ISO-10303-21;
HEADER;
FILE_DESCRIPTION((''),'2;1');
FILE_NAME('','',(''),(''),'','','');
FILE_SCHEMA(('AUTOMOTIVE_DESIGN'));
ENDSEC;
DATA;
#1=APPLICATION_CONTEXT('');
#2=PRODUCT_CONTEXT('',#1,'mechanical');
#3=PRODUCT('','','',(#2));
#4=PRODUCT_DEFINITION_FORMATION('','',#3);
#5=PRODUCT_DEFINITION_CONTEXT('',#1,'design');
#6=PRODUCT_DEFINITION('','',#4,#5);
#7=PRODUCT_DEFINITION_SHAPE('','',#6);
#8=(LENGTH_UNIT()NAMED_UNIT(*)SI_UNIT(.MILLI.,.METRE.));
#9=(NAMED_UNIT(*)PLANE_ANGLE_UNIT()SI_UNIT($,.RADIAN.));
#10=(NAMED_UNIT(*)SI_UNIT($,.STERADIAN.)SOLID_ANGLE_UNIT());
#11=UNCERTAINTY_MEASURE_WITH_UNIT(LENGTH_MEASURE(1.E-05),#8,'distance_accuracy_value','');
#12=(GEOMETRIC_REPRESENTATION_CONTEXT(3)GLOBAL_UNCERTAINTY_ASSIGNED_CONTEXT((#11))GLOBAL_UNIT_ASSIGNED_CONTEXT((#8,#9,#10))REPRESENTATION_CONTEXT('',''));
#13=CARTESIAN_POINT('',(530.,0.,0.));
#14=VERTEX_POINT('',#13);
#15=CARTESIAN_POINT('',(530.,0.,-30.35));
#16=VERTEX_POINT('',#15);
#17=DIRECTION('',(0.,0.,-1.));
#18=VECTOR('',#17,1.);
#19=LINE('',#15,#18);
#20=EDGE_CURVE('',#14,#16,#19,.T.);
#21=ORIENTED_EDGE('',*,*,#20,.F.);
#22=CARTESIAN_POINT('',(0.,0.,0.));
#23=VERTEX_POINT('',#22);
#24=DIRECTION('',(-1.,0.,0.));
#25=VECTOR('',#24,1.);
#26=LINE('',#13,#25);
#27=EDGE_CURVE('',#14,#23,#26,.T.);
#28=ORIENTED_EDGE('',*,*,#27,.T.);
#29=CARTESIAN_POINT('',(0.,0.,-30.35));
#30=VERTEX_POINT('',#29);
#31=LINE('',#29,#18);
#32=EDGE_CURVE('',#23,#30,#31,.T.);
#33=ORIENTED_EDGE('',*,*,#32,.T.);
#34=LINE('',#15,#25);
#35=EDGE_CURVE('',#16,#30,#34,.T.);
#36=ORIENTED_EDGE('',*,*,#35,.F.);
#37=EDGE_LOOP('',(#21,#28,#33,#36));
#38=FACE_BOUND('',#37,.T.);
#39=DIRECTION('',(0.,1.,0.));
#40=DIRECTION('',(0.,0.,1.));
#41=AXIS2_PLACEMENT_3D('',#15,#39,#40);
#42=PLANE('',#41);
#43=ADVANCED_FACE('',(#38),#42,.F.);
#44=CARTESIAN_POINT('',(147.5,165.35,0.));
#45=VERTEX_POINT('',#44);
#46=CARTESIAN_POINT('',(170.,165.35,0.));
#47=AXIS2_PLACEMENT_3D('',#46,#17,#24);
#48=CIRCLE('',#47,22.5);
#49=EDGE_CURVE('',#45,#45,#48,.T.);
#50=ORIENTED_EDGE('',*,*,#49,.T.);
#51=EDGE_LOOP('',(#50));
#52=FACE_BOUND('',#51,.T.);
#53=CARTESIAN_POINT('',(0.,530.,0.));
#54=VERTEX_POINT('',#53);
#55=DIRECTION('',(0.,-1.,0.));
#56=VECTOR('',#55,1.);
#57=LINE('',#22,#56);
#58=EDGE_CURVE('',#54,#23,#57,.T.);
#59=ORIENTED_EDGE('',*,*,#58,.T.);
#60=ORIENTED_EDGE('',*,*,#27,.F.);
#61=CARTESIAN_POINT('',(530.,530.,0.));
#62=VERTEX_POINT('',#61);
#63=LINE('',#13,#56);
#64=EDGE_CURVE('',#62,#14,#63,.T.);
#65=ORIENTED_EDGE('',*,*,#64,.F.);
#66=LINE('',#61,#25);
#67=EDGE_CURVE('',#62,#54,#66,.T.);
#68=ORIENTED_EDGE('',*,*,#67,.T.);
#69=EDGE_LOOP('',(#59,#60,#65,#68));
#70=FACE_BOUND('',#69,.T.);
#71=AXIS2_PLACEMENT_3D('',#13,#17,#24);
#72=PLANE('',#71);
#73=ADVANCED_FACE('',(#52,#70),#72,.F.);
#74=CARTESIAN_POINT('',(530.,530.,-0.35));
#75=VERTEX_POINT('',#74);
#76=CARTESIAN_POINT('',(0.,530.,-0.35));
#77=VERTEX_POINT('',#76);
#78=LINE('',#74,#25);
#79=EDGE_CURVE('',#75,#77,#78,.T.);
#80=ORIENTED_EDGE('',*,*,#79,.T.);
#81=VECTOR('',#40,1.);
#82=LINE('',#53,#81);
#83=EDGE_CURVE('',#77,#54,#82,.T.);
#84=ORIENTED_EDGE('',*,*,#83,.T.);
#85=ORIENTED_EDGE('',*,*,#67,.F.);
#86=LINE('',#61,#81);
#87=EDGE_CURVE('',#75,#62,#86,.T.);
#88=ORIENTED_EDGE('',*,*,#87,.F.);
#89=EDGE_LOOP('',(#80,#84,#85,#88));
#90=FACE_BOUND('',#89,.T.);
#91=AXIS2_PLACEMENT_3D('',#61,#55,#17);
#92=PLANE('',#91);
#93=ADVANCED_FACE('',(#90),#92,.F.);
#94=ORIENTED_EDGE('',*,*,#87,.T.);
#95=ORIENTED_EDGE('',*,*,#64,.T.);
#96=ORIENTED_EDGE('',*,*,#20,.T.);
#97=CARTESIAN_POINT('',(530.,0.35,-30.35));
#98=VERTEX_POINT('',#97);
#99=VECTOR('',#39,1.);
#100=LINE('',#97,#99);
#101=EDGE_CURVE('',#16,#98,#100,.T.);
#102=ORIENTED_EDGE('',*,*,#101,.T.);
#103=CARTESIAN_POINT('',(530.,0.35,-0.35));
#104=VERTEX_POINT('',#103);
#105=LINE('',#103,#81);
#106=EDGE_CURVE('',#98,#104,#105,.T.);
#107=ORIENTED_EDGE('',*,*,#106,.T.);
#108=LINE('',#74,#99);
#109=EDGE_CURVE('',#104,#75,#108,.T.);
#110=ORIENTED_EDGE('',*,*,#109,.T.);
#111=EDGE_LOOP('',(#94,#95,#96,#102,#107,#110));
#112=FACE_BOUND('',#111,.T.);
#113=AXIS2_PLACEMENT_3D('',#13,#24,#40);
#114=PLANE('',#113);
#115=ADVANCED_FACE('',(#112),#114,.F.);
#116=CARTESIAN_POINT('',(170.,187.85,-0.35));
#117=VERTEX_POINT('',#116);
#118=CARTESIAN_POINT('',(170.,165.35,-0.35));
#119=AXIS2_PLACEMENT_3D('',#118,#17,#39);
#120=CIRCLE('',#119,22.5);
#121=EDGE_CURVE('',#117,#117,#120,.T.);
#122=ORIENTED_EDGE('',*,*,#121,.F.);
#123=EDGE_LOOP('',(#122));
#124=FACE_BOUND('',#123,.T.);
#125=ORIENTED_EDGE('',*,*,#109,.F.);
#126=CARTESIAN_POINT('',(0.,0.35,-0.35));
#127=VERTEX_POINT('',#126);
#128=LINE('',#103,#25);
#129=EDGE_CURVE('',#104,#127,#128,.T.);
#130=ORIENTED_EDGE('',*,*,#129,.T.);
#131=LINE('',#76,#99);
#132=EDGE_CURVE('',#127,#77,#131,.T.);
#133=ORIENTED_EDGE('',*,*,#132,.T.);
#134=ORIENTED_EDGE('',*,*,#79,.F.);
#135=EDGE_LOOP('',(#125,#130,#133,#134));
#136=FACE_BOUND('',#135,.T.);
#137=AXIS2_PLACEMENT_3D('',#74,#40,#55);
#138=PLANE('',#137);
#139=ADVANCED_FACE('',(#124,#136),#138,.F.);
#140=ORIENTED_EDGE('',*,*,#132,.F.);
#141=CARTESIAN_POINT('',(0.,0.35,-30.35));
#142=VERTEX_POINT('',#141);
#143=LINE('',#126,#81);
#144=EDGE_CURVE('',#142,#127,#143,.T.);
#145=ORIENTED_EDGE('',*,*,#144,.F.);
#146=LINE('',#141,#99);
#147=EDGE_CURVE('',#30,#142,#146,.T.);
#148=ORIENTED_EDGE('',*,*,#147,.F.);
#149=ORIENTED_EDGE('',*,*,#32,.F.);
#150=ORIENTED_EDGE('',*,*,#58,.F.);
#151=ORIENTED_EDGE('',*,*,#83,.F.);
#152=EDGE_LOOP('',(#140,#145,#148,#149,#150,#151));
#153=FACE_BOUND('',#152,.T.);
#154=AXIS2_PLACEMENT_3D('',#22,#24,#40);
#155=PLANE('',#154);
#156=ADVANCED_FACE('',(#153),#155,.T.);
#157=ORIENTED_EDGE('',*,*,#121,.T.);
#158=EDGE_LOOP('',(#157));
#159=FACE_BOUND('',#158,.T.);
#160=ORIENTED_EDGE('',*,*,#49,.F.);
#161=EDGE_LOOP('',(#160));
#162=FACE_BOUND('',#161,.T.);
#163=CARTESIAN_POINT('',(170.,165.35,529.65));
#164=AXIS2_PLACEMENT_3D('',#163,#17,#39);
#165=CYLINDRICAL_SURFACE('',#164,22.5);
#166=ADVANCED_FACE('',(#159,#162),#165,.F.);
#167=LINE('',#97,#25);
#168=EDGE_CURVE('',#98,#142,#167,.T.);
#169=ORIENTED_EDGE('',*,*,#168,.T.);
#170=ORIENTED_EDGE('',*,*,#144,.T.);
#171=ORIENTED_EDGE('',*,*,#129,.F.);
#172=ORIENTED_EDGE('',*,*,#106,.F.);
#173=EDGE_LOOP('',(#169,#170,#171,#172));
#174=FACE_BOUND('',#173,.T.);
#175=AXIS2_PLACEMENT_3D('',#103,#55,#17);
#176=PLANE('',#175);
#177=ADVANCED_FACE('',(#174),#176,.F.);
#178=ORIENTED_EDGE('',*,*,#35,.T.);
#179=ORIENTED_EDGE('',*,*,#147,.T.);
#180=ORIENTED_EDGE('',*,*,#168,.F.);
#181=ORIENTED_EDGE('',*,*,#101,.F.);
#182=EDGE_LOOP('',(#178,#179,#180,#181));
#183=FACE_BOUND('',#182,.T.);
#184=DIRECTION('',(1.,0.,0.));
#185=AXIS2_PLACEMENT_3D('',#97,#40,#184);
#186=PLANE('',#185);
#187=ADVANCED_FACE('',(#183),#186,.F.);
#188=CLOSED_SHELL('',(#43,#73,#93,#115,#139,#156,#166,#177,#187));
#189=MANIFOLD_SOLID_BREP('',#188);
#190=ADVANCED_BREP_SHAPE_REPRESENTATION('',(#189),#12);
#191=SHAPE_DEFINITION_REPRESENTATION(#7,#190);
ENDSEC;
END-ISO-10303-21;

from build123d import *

# Parameters (mm, degrees)
BOSS_EXTRUDE1_DEPTH = 530
SKETCH3_R           = 22.5
CUT_EXTRUDE1_DEPTH  = 530


with BuildPart() as part:
    # Sketch2 → Boss-Extrude1 (new body)
    with BuildSketch(Plane(origin=(0, 0, 0), x_dir=(0, 0, -1), z_dir=(1, 0, 0))):
        Polygon((0, 530), (0.35, 530), (0.35, 0.35), (30.35, 0.35), (30.35, 0), (0, 0), align=None)
    extrude(amount=BOSS_EXTRUDE1_DEPTH)

    # Sketch3 → Cut-Extrude1 (cut)
    with BuildSketch(Plane(origin=(0, 0, -0.35), x_dir=(-1, 0, 0), z_dir=(0, 0, -1))):
        with Locations((-170, 165.35)):
            Circle(SKETCH3_R)
    extrude(amount=-CUT_EXTRUDE1_DEPTH, mode=Mode.SUBTRACT)


solid = part.part
